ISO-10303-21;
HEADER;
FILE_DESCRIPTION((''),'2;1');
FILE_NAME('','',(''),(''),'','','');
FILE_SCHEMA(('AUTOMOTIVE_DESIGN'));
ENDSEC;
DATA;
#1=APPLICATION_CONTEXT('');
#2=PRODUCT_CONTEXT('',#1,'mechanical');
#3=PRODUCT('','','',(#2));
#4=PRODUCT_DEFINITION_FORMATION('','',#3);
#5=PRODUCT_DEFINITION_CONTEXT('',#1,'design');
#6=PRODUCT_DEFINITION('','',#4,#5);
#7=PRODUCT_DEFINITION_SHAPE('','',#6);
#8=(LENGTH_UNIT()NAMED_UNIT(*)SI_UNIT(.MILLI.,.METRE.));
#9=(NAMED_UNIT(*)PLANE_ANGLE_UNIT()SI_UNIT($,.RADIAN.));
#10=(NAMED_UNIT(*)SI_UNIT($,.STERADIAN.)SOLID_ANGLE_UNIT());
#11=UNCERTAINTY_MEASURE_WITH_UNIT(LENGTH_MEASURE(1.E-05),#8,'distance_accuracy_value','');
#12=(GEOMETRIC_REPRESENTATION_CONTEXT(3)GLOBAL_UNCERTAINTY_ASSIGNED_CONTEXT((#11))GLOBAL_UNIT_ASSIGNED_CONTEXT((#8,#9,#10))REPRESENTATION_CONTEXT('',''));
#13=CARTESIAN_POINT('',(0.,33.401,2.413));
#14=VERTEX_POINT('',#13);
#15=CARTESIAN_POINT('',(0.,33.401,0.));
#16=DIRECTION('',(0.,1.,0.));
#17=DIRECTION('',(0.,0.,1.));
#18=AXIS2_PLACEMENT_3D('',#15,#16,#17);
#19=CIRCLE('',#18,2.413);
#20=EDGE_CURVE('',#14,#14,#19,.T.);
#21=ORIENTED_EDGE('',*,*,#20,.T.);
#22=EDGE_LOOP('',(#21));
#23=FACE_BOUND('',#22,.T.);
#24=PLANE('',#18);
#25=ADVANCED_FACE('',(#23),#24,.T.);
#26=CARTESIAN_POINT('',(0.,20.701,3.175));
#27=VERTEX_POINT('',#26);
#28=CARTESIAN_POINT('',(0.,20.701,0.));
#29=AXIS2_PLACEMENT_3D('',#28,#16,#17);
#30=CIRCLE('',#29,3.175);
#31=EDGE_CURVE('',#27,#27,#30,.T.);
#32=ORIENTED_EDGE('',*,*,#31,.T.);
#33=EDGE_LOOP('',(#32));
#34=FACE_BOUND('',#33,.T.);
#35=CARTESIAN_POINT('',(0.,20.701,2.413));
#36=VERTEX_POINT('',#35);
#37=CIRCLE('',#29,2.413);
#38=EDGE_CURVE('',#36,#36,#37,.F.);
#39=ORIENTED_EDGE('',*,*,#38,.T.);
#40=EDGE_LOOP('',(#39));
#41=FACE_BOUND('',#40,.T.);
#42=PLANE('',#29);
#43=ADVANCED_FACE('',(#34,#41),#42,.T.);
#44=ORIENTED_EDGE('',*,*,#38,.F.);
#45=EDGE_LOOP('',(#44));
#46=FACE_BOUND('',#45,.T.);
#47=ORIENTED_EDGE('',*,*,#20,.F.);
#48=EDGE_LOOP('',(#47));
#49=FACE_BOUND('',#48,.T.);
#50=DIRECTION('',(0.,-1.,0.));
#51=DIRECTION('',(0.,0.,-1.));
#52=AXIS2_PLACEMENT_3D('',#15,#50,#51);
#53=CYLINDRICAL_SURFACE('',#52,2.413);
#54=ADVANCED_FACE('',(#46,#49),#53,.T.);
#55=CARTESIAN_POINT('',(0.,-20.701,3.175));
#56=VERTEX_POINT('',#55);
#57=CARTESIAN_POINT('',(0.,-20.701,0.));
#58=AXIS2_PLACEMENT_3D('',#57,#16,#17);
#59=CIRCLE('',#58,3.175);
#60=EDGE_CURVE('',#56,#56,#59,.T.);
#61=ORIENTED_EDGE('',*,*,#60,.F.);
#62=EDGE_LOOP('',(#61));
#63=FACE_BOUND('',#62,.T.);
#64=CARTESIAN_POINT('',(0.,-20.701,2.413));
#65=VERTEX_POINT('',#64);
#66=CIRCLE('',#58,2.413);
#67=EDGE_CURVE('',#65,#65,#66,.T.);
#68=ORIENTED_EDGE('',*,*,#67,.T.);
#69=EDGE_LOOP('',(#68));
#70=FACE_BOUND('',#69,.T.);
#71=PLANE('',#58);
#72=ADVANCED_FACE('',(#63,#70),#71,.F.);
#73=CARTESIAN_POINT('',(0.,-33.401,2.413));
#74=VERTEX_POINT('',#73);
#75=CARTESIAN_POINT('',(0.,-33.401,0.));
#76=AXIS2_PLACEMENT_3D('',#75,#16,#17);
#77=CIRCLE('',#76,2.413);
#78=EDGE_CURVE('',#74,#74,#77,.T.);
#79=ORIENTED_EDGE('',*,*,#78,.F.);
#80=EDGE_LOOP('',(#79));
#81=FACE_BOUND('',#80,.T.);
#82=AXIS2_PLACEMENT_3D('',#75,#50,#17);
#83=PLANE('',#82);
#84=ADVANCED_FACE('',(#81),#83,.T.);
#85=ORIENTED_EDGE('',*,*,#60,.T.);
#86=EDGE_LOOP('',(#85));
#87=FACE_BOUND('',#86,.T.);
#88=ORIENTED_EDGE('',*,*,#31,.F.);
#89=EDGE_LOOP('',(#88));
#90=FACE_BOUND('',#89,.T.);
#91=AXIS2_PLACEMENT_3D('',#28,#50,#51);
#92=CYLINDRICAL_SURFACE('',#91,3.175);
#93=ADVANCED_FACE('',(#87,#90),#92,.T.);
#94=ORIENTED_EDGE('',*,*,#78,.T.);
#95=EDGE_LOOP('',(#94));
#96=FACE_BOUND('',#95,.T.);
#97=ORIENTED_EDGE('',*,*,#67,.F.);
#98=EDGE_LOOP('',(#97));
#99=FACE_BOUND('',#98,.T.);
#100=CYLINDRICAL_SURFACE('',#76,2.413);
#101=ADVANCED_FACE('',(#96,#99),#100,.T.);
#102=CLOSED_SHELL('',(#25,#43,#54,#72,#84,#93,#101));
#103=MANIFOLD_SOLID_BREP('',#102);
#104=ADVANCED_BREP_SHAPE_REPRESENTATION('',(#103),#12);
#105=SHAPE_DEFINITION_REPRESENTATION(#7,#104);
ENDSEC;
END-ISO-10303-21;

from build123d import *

# Parameters (mm, degrees)
SKETCH2_R           = 3.175
BOSS_EXTRUDE1_DEPTH = 20.701
SKETCH3_R           = 2.413
BOSS_EXTRUDE2_DEPTH = 12.7


with BuildPart() as part:
    # Sketch2 → Boss-Extrude1 (new, symmetric)
    with BuildSketch(Plane(origin=(0, 0, 0), x_dir=(1, 0, 0), z_dir=(0, 1, 0))):
        with Locations(Location((0, 0, 0), (0, 0, 270))):
            Circle(SKETCH2_R)
    extrude(amount=BOSS_EXTRUDE1_DEPTH, both=True)

    # Sketch3 → Boss-Extrude2 (add, symmetric)
    with BuildSketch(Plane(origin=(0, 20.701, 0), x_dir=(1, 0, 0), z_dir=(0, 1, 0))):
        with Locations(Location((0, 0, 0), (0, 0, 270))):
            Circle(SKETCH3_R)
    boss_extrude2 = extrude(amount=BOSS_EXTRUDE2_DEPTH, both=True)

    # Mirror1: Boss-Extrude2 across plane
    add(boss_extrude2.mirror(Plane.ZX))


solid = part.part
